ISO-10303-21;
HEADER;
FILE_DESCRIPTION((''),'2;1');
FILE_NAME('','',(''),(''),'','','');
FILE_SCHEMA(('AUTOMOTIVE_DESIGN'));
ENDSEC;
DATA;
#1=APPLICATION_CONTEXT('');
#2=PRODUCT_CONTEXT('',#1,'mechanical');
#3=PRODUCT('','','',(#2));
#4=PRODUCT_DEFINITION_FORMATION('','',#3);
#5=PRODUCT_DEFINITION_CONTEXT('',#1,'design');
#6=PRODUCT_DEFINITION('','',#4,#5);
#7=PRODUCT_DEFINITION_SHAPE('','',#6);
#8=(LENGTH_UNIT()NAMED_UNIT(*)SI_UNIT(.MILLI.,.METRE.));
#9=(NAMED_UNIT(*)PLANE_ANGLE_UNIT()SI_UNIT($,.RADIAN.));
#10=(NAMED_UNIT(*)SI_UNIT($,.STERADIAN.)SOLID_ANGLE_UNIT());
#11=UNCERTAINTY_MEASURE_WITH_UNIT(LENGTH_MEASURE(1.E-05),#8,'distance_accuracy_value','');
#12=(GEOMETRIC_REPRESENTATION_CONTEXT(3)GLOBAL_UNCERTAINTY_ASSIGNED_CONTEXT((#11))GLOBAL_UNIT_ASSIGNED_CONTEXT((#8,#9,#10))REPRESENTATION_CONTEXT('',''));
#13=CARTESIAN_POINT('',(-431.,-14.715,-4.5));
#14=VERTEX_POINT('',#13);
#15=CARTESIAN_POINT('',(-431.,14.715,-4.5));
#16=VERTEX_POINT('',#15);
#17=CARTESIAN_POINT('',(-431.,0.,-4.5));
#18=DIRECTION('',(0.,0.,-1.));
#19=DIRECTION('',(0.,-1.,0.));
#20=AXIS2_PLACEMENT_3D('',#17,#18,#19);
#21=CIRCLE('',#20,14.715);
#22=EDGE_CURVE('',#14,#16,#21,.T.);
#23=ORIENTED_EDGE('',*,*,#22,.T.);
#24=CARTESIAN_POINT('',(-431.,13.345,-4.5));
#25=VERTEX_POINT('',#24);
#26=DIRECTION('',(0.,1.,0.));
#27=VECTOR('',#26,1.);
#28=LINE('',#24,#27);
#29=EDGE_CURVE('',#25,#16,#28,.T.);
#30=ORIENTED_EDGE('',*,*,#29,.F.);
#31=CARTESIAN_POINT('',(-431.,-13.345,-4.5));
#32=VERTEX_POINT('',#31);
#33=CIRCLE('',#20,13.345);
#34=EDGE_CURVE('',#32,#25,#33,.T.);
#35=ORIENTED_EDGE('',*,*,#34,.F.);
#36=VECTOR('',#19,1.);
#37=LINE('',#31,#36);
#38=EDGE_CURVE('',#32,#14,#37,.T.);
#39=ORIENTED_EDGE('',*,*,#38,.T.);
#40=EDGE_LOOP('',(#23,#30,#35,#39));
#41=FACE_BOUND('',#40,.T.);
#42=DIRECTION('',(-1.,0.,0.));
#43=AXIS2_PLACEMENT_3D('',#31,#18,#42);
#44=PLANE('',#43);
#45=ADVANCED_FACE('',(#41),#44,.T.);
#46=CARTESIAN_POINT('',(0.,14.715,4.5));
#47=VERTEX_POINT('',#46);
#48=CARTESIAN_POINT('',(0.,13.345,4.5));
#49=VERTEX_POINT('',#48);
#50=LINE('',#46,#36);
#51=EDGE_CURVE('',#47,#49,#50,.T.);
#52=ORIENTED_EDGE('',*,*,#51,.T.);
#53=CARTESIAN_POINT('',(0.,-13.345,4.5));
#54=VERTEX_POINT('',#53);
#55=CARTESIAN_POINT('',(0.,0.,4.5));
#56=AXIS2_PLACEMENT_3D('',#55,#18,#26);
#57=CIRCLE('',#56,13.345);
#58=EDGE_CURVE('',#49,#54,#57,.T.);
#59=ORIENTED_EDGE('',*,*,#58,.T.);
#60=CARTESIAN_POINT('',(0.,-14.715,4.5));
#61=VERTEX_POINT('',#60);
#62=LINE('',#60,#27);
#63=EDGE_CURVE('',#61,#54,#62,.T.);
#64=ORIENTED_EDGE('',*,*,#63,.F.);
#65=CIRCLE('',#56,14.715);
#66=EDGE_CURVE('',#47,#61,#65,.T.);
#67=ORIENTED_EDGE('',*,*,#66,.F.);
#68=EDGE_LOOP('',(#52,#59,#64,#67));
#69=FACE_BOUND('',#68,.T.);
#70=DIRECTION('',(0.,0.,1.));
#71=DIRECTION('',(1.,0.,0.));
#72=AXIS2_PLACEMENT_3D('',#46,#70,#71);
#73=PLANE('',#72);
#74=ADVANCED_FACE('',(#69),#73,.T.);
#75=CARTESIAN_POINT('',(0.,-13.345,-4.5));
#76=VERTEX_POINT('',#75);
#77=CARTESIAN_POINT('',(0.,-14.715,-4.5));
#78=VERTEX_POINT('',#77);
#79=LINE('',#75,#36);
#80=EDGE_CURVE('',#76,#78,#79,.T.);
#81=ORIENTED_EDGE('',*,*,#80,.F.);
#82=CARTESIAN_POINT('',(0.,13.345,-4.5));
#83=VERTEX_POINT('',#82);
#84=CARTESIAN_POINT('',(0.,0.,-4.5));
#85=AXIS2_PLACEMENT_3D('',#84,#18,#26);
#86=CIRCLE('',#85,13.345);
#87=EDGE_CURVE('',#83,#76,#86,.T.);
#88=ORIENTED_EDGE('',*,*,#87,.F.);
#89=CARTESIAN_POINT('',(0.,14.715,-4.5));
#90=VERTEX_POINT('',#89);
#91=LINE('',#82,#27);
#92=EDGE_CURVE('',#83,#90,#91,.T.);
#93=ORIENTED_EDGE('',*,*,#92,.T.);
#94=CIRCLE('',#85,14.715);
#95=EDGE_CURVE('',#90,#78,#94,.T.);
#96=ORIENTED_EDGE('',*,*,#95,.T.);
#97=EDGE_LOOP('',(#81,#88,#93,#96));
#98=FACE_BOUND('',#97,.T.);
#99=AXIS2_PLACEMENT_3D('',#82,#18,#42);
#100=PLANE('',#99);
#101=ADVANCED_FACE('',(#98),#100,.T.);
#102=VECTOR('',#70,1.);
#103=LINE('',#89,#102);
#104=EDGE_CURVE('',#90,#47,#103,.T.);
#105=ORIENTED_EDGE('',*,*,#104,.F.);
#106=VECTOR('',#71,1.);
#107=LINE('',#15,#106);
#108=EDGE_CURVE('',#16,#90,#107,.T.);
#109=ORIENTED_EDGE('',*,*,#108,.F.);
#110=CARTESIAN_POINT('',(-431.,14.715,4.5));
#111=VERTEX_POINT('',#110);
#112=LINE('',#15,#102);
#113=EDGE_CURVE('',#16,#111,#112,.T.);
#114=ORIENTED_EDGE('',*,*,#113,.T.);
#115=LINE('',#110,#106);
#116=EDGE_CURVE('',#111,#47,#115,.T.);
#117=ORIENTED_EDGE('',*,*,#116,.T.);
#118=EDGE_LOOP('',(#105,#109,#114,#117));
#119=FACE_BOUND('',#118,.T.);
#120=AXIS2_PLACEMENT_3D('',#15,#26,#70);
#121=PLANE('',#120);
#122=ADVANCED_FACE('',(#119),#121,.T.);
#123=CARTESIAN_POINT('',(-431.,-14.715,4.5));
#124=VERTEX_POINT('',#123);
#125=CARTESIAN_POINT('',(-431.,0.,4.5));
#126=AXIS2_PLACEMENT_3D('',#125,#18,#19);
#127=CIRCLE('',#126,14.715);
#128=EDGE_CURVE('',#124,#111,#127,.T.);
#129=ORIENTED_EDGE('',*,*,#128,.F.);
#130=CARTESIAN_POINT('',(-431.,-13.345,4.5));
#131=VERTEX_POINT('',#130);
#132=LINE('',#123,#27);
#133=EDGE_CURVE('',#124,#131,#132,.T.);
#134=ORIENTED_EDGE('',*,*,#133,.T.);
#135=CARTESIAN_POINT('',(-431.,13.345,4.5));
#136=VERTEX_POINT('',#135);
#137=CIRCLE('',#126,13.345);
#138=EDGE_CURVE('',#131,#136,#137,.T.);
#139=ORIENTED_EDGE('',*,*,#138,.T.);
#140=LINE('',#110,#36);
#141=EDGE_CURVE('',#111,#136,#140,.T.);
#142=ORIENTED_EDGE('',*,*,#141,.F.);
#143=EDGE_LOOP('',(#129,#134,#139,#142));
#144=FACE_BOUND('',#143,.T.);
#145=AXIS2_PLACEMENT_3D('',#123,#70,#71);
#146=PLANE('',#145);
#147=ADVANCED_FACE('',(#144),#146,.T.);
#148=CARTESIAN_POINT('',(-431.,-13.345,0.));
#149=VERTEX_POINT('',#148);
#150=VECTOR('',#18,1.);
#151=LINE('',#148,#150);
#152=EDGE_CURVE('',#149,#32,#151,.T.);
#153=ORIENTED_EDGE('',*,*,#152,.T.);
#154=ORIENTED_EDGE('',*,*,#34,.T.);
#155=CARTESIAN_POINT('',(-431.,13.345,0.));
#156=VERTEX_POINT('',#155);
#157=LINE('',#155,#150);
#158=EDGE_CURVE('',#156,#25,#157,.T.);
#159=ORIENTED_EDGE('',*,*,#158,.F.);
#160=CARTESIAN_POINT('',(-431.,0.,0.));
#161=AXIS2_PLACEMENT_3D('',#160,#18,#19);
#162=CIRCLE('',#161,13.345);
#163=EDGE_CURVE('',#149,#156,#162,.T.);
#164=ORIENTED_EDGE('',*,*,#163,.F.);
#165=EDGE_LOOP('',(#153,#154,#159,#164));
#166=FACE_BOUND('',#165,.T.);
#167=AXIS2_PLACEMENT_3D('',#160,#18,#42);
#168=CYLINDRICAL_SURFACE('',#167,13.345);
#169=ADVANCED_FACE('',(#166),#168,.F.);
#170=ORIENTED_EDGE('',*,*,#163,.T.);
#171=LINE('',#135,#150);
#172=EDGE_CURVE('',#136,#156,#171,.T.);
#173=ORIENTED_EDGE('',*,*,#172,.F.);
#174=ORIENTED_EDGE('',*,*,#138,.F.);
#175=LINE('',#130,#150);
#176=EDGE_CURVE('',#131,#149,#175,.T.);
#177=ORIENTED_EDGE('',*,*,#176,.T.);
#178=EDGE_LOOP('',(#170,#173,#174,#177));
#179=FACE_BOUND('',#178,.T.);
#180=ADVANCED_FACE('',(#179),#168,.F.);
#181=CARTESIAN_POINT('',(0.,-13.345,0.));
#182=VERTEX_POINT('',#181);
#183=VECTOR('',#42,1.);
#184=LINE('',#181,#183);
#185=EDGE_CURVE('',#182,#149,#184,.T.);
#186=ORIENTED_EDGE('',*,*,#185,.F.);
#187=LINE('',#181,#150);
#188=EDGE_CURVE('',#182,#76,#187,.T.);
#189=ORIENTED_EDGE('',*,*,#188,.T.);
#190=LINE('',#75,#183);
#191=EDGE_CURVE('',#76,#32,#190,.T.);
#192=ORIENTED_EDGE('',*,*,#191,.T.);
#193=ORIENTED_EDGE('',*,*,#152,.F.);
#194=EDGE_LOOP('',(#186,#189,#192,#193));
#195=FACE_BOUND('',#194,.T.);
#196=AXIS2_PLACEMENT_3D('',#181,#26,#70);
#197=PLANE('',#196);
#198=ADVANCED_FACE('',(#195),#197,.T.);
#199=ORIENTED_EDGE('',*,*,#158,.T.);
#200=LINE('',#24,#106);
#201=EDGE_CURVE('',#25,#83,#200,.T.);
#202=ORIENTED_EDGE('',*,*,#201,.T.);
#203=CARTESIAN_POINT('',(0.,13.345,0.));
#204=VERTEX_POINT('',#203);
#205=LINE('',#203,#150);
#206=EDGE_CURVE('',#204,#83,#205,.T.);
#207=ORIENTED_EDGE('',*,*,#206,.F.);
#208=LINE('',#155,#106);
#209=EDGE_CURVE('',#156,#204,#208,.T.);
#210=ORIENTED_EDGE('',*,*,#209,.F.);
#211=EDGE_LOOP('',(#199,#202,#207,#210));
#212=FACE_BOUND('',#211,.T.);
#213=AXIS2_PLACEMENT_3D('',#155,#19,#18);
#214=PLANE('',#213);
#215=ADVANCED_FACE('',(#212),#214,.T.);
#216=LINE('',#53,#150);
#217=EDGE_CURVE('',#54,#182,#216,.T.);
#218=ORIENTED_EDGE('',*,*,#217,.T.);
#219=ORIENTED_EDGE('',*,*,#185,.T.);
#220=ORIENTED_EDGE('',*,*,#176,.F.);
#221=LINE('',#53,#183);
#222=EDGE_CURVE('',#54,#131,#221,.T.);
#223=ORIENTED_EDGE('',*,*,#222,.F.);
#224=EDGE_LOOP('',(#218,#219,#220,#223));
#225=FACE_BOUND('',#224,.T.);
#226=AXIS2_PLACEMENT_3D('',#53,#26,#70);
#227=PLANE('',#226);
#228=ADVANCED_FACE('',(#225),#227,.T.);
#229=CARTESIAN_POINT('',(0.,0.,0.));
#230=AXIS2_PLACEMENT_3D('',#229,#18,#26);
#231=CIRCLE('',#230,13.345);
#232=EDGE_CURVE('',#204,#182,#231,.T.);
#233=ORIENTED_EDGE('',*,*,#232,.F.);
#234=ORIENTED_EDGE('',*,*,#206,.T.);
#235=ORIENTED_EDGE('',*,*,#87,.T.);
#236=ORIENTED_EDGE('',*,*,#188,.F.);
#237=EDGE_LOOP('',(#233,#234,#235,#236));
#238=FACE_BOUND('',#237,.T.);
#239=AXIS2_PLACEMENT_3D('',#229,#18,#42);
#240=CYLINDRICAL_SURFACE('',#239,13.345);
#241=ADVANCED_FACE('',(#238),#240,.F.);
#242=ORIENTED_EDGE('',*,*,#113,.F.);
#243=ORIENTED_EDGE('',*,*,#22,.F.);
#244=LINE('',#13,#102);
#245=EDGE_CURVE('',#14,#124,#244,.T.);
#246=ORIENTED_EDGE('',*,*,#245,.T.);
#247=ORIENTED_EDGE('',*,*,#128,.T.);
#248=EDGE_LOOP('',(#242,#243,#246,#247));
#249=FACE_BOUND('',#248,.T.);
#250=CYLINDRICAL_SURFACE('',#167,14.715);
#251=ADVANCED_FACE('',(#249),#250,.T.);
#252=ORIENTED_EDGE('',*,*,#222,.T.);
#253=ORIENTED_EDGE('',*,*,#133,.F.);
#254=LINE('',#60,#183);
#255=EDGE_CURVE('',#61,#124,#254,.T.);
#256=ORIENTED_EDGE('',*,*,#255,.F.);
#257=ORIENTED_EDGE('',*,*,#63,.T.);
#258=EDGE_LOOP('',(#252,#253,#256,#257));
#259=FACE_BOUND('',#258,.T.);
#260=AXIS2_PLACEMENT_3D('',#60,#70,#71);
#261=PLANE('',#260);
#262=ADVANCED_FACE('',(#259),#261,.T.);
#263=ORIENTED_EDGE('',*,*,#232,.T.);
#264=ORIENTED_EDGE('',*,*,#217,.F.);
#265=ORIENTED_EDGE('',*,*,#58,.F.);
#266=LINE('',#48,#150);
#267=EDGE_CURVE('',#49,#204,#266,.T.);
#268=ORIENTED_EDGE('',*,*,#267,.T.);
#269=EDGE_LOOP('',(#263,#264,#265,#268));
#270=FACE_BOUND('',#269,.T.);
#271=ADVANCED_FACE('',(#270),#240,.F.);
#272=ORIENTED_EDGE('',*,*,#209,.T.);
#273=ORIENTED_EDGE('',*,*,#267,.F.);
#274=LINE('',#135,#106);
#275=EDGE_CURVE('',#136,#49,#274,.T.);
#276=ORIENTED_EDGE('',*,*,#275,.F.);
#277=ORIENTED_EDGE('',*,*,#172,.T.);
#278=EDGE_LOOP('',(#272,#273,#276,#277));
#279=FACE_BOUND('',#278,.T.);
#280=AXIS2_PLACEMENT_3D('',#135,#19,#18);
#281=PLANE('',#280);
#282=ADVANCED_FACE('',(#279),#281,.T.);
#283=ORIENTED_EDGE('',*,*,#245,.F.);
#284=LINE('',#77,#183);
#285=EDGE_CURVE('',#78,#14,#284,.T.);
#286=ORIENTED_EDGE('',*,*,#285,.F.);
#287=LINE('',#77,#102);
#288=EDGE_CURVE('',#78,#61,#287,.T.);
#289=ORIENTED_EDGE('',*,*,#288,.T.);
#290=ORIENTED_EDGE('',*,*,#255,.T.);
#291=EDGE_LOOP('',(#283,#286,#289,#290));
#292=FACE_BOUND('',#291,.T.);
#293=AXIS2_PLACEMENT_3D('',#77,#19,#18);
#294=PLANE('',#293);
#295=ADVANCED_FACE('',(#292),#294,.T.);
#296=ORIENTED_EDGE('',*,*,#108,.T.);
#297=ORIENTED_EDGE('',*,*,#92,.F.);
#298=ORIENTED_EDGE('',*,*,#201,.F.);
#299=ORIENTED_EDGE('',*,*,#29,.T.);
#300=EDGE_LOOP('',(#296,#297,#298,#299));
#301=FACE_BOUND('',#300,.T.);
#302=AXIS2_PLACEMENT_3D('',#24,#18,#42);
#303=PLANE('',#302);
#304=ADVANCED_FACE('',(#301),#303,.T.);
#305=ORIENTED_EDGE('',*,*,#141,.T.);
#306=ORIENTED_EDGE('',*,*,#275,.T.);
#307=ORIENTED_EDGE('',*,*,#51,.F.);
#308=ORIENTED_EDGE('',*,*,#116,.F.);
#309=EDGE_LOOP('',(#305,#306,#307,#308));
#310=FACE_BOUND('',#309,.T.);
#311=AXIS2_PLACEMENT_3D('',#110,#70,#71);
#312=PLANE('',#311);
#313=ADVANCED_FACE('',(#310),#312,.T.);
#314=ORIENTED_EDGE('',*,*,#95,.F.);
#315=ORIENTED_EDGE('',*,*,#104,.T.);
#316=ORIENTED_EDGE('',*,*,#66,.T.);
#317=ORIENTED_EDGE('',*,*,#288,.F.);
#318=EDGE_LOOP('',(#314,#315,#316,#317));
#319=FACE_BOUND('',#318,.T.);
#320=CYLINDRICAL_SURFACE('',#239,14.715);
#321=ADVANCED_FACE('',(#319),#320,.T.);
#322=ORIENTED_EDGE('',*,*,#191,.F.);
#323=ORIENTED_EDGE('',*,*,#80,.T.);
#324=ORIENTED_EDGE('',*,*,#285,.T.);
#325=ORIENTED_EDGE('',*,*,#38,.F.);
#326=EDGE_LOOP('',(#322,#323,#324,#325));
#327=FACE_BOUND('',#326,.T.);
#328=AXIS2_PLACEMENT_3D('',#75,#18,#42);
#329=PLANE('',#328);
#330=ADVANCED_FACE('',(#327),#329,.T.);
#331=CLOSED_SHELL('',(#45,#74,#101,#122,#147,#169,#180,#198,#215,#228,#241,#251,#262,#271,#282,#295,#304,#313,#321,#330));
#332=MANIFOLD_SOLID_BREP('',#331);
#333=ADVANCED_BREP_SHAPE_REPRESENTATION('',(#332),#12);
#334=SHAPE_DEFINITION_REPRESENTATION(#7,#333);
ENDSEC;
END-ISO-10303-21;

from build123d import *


with BuildPart() as part:
    # ｽｲｰﾌﾟ1: sweep along a path in ｽｹｯﾁ2
    with BuildLine(Plane.XY) as sweep_1_path:
        Line((0, -13.345), (-431, -13.345))
        ThreePointArc((-431, -13.345), (-444.345, 0), (-431, 13.345))
        Line((-431, 13.345), (0, 13.345))
        ThreePointArc((0, 13.345), (13.345, 0), (0, -13.345))
    # Sketch 3D_3 → ｽｲｰﾌﾟ1 (sweep)
    with BuildSketch(Plane(origin=(0, 13.345, 0), x_dir=(-1.3735006890805393e-13, 0.29124620867342393, -0.956648130679905), z_dir=(1, 0, 0))):
        Polygon((0, 0), (4.304916588, -1.310607939), (4.703923894, 0), (-3.905909282, 2.621215878), (-4.304916588, 1.310607939), align=None)
    sweep(path=sweep_1_path.line)


solid = part.part
